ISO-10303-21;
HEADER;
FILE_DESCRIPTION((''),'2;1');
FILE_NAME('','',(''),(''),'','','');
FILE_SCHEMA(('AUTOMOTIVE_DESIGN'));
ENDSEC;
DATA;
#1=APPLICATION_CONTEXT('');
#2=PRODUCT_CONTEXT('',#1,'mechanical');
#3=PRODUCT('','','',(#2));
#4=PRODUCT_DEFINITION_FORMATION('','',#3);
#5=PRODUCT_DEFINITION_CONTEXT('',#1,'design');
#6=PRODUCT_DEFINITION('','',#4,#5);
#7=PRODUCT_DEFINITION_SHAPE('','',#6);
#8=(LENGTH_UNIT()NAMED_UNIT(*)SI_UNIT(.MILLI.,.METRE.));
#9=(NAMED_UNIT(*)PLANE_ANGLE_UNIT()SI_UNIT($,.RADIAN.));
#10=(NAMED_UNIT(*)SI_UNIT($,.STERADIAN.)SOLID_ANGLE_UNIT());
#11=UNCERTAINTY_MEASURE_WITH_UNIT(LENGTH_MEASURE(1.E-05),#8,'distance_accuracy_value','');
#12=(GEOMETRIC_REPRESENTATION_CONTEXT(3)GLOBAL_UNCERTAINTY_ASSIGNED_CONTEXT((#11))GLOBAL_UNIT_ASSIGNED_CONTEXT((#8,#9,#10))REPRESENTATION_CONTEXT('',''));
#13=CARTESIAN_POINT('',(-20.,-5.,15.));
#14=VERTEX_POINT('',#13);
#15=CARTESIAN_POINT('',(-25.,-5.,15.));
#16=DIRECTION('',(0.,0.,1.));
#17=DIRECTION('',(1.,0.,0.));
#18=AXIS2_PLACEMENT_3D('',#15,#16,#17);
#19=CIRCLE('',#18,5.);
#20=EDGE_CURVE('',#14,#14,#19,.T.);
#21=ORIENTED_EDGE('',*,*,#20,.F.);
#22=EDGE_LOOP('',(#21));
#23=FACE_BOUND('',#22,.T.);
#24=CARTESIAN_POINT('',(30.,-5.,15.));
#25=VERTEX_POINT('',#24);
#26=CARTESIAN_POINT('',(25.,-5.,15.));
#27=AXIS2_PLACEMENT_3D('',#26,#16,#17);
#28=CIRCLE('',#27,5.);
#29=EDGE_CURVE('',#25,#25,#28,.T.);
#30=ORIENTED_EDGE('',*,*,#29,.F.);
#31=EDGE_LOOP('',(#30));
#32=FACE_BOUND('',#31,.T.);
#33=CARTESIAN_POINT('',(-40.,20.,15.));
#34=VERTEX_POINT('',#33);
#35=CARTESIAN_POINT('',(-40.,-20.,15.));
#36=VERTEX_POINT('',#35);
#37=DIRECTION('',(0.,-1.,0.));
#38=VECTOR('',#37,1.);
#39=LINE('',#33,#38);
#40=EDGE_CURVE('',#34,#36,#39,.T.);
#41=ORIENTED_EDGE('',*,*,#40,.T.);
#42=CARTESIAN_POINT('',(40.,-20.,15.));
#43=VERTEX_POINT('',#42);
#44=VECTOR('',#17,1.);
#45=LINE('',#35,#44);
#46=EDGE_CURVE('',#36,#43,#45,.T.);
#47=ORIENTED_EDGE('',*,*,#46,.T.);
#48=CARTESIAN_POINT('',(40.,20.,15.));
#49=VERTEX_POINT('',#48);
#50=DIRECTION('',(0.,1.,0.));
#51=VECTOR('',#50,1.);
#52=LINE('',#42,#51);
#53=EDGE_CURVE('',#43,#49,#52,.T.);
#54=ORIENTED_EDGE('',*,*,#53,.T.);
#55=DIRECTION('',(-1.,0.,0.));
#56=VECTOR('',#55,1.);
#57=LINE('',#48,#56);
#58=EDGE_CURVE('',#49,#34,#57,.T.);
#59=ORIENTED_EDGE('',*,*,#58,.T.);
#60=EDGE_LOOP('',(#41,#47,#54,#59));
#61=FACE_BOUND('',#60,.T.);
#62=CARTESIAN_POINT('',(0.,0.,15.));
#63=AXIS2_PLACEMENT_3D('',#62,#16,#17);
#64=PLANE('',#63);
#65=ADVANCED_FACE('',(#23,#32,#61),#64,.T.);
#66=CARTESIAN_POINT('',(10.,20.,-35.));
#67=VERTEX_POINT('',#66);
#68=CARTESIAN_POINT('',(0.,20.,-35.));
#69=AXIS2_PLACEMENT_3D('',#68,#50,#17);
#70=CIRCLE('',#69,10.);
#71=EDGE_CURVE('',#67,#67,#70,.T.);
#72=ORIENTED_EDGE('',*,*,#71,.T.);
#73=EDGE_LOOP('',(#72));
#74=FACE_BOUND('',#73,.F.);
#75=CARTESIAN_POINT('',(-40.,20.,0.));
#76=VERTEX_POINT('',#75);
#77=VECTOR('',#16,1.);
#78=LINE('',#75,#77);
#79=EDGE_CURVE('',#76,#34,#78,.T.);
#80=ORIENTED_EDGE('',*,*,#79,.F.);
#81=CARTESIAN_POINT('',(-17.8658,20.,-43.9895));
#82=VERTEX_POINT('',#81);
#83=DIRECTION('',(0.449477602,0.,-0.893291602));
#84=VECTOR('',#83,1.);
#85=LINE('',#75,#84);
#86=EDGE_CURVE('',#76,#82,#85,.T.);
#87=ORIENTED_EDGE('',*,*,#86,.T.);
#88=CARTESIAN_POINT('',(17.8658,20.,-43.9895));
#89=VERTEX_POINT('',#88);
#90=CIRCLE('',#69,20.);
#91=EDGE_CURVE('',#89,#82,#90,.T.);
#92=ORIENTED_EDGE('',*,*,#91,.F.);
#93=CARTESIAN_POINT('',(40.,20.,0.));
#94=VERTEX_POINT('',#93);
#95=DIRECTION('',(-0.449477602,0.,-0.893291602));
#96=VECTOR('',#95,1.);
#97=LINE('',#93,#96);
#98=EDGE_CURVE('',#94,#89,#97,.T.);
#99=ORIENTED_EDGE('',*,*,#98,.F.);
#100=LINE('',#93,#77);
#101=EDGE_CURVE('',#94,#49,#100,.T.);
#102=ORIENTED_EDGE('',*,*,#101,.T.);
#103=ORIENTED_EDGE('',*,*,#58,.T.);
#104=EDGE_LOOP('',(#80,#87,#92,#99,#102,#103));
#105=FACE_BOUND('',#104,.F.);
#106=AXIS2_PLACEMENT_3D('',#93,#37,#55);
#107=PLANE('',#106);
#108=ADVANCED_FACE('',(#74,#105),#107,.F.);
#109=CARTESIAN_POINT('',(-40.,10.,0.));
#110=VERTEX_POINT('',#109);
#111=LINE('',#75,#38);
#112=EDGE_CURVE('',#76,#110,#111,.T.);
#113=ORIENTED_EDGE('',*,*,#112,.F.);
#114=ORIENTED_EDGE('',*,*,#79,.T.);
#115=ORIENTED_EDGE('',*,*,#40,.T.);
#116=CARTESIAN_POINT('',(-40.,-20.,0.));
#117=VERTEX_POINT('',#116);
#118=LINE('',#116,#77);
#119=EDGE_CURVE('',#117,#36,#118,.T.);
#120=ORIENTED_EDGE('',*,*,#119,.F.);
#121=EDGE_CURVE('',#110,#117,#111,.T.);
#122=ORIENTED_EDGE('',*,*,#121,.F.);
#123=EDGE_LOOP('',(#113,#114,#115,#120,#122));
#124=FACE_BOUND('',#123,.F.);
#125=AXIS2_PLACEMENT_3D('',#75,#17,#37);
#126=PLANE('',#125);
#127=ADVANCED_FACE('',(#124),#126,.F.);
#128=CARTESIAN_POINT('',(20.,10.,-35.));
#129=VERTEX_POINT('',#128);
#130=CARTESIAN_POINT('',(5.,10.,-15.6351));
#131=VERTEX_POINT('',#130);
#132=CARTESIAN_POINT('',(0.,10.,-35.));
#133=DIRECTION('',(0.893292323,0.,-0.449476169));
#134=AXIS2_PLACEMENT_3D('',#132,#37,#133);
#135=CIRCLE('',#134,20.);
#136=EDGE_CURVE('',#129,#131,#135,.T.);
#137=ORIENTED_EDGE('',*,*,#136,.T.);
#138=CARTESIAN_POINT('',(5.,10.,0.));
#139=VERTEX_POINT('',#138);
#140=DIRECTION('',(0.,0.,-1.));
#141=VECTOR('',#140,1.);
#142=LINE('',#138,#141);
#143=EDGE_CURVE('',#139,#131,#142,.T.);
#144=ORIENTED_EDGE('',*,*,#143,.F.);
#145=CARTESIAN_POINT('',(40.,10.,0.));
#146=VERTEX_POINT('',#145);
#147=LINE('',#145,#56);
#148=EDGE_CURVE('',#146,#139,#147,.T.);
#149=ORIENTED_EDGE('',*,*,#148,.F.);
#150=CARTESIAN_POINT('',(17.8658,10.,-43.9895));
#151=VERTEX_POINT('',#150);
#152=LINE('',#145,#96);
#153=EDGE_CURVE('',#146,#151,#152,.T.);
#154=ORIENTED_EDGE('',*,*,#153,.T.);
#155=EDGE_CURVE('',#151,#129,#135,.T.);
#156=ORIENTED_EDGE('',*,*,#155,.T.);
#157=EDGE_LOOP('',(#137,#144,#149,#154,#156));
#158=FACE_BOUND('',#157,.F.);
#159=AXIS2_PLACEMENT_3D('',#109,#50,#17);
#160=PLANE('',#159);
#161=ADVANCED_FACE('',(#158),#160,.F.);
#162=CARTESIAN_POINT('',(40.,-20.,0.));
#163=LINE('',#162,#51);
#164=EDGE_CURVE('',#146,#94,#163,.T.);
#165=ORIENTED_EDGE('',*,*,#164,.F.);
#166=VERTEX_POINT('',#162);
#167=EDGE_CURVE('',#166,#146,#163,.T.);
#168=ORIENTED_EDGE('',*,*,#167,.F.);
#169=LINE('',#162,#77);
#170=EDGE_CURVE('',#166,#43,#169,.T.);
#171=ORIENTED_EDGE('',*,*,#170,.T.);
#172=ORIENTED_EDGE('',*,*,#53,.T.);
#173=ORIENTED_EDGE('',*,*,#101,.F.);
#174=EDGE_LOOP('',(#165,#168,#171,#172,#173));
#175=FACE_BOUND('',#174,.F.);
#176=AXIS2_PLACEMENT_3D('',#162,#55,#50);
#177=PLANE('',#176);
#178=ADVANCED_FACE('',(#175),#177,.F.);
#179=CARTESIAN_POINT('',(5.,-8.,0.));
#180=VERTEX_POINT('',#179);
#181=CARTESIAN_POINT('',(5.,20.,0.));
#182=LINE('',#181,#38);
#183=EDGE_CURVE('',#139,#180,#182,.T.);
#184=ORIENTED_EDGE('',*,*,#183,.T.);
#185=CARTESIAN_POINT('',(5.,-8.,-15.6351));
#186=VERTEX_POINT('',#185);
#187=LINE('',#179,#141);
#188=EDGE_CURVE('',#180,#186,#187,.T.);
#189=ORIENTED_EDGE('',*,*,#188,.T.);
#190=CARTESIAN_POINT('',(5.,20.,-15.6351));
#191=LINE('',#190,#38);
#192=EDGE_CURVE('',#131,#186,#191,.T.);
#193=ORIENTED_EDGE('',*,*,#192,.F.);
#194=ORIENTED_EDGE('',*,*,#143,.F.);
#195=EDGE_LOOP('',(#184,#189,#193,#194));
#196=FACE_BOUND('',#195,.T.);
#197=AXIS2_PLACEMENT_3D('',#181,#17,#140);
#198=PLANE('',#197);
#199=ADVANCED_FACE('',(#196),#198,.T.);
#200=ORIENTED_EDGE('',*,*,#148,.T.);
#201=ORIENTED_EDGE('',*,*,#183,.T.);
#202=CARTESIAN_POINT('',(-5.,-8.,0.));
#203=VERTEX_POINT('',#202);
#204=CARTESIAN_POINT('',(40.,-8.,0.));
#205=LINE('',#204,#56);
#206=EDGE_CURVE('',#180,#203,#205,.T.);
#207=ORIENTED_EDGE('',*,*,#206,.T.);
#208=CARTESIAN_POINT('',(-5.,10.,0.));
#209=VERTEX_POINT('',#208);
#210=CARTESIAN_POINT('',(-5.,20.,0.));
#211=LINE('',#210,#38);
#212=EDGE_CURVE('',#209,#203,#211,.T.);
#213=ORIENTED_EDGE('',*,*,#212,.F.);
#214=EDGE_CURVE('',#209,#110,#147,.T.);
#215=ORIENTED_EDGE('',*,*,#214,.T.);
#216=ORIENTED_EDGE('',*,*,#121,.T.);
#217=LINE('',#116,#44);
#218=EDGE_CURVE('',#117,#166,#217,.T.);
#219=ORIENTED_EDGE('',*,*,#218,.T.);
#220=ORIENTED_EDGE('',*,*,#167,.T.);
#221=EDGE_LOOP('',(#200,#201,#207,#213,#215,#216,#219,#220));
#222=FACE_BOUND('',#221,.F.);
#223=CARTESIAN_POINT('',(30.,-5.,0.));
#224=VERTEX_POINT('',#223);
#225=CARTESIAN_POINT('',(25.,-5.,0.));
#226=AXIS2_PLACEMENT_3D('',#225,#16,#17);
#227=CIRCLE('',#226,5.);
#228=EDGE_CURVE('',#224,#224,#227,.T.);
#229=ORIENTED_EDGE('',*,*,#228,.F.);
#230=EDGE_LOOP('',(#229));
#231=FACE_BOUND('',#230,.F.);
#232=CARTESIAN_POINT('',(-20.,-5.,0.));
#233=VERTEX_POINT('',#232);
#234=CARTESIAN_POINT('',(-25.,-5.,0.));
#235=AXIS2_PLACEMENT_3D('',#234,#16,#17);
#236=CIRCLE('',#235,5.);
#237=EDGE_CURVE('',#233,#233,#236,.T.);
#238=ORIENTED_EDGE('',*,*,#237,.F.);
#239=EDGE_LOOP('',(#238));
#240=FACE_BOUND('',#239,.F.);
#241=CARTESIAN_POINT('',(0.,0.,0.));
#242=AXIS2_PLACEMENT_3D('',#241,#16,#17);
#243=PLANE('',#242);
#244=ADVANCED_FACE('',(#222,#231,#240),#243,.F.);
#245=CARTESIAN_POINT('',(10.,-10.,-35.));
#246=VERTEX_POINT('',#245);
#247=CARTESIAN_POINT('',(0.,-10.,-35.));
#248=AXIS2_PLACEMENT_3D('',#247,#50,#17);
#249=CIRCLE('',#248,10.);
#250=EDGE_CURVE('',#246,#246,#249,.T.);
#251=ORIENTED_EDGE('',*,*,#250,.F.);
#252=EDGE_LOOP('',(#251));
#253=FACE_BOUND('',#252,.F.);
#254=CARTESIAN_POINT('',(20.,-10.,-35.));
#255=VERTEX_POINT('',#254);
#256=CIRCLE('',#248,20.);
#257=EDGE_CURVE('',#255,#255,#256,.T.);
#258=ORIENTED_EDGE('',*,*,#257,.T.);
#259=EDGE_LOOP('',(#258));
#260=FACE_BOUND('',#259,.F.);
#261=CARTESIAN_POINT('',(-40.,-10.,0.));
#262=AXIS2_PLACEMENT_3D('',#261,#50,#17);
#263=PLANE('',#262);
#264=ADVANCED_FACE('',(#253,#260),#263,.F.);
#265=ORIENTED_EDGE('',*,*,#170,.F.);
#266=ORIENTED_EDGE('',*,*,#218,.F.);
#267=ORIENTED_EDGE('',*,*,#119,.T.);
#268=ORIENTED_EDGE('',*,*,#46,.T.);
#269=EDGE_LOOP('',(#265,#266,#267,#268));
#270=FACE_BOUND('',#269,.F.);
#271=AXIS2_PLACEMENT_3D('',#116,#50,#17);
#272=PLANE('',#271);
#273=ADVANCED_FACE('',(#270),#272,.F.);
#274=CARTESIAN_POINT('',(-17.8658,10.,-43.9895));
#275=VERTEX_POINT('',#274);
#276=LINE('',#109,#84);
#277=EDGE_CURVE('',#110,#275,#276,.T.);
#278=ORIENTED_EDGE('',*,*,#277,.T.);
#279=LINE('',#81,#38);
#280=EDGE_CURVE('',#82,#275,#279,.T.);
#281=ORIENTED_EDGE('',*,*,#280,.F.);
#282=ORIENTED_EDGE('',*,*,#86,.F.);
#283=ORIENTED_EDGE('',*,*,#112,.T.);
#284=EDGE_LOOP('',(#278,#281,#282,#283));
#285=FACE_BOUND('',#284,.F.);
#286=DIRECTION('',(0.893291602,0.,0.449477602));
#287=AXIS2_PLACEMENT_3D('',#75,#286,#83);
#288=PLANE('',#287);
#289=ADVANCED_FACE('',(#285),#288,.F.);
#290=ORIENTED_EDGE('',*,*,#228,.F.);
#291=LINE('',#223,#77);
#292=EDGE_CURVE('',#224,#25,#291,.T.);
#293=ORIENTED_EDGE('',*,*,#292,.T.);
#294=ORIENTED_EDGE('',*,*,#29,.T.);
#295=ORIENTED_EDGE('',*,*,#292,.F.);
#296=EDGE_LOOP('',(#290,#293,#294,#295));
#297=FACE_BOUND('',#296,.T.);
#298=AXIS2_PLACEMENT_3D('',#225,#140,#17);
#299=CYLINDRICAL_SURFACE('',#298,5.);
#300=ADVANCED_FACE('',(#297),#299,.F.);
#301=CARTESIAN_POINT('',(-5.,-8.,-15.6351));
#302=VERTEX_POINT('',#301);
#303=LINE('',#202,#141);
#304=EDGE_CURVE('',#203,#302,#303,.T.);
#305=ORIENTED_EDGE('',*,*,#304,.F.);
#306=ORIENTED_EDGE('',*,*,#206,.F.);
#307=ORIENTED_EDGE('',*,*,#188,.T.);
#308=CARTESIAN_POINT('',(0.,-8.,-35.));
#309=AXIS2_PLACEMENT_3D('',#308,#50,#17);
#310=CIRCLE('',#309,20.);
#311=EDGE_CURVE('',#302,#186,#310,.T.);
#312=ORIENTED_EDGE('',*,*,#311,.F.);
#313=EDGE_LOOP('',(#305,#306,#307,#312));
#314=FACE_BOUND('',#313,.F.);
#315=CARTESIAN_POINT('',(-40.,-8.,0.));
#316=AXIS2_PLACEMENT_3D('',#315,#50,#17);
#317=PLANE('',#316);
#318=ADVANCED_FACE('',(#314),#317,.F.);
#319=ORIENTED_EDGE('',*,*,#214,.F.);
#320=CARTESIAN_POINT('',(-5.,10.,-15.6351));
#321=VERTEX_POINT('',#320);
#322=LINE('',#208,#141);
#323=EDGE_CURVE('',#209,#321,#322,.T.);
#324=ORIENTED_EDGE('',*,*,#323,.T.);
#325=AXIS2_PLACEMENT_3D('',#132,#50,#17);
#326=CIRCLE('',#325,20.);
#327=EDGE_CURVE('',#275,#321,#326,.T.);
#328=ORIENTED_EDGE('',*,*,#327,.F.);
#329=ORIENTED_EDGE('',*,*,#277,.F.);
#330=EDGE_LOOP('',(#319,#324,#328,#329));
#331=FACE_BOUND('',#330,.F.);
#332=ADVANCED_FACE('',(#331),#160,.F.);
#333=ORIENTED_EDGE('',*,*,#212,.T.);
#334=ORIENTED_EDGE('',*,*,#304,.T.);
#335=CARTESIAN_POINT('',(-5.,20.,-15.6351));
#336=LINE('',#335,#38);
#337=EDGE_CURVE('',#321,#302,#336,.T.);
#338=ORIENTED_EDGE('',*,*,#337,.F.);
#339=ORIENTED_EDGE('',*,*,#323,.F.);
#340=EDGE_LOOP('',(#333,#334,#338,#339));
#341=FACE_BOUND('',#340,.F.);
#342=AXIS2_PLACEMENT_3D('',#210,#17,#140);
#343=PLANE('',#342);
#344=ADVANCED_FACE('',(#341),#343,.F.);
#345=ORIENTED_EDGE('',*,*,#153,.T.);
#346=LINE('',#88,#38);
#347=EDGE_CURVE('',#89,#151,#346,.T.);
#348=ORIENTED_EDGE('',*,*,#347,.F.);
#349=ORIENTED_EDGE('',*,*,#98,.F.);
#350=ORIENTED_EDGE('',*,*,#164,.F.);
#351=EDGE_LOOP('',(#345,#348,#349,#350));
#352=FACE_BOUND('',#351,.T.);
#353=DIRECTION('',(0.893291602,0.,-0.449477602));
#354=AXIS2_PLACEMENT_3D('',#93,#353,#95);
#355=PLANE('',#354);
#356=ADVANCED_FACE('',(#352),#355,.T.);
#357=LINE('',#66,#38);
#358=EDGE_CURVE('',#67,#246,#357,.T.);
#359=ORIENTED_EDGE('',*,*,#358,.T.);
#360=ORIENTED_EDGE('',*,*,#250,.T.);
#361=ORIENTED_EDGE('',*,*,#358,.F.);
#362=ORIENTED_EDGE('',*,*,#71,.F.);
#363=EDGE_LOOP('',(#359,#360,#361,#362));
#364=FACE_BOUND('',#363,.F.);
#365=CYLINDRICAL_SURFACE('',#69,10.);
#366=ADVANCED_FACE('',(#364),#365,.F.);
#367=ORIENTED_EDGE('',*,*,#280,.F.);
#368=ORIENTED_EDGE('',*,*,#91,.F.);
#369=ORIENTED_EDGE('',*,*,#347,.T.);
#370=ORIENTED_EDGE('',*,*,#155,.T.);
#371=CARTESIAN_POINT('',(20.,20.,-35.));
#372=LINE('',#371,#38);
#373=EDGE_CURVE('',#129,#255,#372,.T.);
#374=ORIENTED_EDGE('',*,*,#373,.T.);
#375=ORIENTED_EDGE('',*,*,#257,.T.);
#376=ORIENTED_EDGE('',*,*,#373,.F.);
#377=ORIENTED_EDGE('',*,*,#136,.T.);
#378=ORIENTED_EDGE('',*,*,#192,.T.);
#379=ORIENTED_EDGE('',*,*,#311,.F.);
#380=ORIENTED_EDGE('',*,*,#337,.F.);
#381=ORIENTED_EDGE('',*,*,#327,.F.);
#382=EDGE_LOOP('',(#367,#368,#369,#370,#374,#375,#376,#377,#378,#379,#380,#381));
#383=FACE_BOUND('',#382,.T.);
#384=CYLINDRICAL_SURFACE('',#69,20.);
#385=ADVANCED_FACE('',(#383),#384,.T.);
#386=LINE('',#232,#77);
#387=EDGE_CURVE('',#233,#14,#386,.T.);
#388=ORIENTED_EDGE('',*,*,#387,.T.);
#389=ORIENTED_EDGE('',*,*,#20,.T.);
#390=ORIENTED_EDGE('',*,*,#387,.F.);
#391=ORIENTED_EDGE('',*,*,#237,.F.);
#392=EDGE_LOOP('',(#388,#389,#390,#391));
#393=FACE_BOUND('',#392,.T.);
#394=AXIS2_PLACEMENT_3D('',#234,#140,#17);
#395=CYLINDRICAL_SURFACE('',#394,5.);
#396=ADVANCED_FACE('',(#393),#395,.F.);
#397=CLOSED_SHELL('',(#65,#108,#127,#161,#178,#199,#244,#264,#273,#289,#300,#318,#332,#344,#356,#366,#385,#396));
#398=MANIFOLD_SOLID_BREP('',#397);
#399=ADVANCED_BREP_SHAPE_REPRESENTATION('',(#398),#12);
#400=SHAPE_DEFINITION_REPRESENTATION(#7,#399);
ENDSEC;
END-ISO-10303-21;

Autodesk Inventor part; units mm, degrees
ref_plane "YZ Plane" through (0, 0, 0) normal (1, 0, 0) x (0, 1, 0)
ref_plane "XZ Plane" through (0, 0, 0) normal (0, 1, 0) x (-1, 0, 0)
ref_plane "XY Plane" through (0, 0, 0) normal (0, 0, 1) x (1, 0, 0)
sketch "Szkic1" plane through (0, 0, 0) normal (0, 0, 1) x (1, 0, 0)
  line L0 (-40, -20) -> (40, -20)
  line L1 (40, -20) -> (40, 20)
  line L2 (40, 20) -> (-40, 20)
  line L3 (-40, 20) -> (-40, -20)
  circle A0 centre (-25, -5) radius 5
  circle A1 centre (25, -5) radius 5
  point P0 (0, 0)
  dimension "d0" = 80
  dimension "d1" = 40
  dimension "d2" = 10
  dimension "d3" = 10
  dimension "d5" = 15
  dimension "d6" = 15
  dimension "d7" = 15
  dimension "d8" = 50
extrude "Wyciągnięcie proste1" add sketch "Szkic1" along normal blind 15
sketch "Szkic3" plane through (-40, 20, 0) normal (0, 1, 0) x (1, 0, 0)
  circle A0 centre (40, 35) radius 20
  circle A1 centre (40, 35) radius 10
  line L0 (80, 0) -> (80, -15) projected
  line L1 (0, -15) -> (80, -15) projected
  line L2 (0, 0) -> (22.1342, 43.9895)
  line L3 (80, 0) -> (57.8658, 43.9895)
  line L4 (80, 0) -> (0, 0)
  line L5 (35, 0) -> (35, 15.6351)
  line L6 (45, 0) -> (45, 15.6351)
  point P0 (40, 0)
  dimension "d13" = 40
  dimension "d14" = 20
  dimension "d15" = 40
  dimension "d16" = 50
  dimension "d17" = 10
extrude "Wyciągnięcie proste2" add sketch "Szkic3" against normal blind 30 contours A0
extrude "Wyciągnięcie proste3" add sketch "Szkic3" against normal blind 28 contours L6 L4 L5 A0
extrude "Wyciągnięcie proste4" add sketch "Szkic3" against normal blind 10 contours A0 L3 L4 L6 | A0 L5 L4 L2
properties part number "Bartosz_Zukowski_model_nr_6"
